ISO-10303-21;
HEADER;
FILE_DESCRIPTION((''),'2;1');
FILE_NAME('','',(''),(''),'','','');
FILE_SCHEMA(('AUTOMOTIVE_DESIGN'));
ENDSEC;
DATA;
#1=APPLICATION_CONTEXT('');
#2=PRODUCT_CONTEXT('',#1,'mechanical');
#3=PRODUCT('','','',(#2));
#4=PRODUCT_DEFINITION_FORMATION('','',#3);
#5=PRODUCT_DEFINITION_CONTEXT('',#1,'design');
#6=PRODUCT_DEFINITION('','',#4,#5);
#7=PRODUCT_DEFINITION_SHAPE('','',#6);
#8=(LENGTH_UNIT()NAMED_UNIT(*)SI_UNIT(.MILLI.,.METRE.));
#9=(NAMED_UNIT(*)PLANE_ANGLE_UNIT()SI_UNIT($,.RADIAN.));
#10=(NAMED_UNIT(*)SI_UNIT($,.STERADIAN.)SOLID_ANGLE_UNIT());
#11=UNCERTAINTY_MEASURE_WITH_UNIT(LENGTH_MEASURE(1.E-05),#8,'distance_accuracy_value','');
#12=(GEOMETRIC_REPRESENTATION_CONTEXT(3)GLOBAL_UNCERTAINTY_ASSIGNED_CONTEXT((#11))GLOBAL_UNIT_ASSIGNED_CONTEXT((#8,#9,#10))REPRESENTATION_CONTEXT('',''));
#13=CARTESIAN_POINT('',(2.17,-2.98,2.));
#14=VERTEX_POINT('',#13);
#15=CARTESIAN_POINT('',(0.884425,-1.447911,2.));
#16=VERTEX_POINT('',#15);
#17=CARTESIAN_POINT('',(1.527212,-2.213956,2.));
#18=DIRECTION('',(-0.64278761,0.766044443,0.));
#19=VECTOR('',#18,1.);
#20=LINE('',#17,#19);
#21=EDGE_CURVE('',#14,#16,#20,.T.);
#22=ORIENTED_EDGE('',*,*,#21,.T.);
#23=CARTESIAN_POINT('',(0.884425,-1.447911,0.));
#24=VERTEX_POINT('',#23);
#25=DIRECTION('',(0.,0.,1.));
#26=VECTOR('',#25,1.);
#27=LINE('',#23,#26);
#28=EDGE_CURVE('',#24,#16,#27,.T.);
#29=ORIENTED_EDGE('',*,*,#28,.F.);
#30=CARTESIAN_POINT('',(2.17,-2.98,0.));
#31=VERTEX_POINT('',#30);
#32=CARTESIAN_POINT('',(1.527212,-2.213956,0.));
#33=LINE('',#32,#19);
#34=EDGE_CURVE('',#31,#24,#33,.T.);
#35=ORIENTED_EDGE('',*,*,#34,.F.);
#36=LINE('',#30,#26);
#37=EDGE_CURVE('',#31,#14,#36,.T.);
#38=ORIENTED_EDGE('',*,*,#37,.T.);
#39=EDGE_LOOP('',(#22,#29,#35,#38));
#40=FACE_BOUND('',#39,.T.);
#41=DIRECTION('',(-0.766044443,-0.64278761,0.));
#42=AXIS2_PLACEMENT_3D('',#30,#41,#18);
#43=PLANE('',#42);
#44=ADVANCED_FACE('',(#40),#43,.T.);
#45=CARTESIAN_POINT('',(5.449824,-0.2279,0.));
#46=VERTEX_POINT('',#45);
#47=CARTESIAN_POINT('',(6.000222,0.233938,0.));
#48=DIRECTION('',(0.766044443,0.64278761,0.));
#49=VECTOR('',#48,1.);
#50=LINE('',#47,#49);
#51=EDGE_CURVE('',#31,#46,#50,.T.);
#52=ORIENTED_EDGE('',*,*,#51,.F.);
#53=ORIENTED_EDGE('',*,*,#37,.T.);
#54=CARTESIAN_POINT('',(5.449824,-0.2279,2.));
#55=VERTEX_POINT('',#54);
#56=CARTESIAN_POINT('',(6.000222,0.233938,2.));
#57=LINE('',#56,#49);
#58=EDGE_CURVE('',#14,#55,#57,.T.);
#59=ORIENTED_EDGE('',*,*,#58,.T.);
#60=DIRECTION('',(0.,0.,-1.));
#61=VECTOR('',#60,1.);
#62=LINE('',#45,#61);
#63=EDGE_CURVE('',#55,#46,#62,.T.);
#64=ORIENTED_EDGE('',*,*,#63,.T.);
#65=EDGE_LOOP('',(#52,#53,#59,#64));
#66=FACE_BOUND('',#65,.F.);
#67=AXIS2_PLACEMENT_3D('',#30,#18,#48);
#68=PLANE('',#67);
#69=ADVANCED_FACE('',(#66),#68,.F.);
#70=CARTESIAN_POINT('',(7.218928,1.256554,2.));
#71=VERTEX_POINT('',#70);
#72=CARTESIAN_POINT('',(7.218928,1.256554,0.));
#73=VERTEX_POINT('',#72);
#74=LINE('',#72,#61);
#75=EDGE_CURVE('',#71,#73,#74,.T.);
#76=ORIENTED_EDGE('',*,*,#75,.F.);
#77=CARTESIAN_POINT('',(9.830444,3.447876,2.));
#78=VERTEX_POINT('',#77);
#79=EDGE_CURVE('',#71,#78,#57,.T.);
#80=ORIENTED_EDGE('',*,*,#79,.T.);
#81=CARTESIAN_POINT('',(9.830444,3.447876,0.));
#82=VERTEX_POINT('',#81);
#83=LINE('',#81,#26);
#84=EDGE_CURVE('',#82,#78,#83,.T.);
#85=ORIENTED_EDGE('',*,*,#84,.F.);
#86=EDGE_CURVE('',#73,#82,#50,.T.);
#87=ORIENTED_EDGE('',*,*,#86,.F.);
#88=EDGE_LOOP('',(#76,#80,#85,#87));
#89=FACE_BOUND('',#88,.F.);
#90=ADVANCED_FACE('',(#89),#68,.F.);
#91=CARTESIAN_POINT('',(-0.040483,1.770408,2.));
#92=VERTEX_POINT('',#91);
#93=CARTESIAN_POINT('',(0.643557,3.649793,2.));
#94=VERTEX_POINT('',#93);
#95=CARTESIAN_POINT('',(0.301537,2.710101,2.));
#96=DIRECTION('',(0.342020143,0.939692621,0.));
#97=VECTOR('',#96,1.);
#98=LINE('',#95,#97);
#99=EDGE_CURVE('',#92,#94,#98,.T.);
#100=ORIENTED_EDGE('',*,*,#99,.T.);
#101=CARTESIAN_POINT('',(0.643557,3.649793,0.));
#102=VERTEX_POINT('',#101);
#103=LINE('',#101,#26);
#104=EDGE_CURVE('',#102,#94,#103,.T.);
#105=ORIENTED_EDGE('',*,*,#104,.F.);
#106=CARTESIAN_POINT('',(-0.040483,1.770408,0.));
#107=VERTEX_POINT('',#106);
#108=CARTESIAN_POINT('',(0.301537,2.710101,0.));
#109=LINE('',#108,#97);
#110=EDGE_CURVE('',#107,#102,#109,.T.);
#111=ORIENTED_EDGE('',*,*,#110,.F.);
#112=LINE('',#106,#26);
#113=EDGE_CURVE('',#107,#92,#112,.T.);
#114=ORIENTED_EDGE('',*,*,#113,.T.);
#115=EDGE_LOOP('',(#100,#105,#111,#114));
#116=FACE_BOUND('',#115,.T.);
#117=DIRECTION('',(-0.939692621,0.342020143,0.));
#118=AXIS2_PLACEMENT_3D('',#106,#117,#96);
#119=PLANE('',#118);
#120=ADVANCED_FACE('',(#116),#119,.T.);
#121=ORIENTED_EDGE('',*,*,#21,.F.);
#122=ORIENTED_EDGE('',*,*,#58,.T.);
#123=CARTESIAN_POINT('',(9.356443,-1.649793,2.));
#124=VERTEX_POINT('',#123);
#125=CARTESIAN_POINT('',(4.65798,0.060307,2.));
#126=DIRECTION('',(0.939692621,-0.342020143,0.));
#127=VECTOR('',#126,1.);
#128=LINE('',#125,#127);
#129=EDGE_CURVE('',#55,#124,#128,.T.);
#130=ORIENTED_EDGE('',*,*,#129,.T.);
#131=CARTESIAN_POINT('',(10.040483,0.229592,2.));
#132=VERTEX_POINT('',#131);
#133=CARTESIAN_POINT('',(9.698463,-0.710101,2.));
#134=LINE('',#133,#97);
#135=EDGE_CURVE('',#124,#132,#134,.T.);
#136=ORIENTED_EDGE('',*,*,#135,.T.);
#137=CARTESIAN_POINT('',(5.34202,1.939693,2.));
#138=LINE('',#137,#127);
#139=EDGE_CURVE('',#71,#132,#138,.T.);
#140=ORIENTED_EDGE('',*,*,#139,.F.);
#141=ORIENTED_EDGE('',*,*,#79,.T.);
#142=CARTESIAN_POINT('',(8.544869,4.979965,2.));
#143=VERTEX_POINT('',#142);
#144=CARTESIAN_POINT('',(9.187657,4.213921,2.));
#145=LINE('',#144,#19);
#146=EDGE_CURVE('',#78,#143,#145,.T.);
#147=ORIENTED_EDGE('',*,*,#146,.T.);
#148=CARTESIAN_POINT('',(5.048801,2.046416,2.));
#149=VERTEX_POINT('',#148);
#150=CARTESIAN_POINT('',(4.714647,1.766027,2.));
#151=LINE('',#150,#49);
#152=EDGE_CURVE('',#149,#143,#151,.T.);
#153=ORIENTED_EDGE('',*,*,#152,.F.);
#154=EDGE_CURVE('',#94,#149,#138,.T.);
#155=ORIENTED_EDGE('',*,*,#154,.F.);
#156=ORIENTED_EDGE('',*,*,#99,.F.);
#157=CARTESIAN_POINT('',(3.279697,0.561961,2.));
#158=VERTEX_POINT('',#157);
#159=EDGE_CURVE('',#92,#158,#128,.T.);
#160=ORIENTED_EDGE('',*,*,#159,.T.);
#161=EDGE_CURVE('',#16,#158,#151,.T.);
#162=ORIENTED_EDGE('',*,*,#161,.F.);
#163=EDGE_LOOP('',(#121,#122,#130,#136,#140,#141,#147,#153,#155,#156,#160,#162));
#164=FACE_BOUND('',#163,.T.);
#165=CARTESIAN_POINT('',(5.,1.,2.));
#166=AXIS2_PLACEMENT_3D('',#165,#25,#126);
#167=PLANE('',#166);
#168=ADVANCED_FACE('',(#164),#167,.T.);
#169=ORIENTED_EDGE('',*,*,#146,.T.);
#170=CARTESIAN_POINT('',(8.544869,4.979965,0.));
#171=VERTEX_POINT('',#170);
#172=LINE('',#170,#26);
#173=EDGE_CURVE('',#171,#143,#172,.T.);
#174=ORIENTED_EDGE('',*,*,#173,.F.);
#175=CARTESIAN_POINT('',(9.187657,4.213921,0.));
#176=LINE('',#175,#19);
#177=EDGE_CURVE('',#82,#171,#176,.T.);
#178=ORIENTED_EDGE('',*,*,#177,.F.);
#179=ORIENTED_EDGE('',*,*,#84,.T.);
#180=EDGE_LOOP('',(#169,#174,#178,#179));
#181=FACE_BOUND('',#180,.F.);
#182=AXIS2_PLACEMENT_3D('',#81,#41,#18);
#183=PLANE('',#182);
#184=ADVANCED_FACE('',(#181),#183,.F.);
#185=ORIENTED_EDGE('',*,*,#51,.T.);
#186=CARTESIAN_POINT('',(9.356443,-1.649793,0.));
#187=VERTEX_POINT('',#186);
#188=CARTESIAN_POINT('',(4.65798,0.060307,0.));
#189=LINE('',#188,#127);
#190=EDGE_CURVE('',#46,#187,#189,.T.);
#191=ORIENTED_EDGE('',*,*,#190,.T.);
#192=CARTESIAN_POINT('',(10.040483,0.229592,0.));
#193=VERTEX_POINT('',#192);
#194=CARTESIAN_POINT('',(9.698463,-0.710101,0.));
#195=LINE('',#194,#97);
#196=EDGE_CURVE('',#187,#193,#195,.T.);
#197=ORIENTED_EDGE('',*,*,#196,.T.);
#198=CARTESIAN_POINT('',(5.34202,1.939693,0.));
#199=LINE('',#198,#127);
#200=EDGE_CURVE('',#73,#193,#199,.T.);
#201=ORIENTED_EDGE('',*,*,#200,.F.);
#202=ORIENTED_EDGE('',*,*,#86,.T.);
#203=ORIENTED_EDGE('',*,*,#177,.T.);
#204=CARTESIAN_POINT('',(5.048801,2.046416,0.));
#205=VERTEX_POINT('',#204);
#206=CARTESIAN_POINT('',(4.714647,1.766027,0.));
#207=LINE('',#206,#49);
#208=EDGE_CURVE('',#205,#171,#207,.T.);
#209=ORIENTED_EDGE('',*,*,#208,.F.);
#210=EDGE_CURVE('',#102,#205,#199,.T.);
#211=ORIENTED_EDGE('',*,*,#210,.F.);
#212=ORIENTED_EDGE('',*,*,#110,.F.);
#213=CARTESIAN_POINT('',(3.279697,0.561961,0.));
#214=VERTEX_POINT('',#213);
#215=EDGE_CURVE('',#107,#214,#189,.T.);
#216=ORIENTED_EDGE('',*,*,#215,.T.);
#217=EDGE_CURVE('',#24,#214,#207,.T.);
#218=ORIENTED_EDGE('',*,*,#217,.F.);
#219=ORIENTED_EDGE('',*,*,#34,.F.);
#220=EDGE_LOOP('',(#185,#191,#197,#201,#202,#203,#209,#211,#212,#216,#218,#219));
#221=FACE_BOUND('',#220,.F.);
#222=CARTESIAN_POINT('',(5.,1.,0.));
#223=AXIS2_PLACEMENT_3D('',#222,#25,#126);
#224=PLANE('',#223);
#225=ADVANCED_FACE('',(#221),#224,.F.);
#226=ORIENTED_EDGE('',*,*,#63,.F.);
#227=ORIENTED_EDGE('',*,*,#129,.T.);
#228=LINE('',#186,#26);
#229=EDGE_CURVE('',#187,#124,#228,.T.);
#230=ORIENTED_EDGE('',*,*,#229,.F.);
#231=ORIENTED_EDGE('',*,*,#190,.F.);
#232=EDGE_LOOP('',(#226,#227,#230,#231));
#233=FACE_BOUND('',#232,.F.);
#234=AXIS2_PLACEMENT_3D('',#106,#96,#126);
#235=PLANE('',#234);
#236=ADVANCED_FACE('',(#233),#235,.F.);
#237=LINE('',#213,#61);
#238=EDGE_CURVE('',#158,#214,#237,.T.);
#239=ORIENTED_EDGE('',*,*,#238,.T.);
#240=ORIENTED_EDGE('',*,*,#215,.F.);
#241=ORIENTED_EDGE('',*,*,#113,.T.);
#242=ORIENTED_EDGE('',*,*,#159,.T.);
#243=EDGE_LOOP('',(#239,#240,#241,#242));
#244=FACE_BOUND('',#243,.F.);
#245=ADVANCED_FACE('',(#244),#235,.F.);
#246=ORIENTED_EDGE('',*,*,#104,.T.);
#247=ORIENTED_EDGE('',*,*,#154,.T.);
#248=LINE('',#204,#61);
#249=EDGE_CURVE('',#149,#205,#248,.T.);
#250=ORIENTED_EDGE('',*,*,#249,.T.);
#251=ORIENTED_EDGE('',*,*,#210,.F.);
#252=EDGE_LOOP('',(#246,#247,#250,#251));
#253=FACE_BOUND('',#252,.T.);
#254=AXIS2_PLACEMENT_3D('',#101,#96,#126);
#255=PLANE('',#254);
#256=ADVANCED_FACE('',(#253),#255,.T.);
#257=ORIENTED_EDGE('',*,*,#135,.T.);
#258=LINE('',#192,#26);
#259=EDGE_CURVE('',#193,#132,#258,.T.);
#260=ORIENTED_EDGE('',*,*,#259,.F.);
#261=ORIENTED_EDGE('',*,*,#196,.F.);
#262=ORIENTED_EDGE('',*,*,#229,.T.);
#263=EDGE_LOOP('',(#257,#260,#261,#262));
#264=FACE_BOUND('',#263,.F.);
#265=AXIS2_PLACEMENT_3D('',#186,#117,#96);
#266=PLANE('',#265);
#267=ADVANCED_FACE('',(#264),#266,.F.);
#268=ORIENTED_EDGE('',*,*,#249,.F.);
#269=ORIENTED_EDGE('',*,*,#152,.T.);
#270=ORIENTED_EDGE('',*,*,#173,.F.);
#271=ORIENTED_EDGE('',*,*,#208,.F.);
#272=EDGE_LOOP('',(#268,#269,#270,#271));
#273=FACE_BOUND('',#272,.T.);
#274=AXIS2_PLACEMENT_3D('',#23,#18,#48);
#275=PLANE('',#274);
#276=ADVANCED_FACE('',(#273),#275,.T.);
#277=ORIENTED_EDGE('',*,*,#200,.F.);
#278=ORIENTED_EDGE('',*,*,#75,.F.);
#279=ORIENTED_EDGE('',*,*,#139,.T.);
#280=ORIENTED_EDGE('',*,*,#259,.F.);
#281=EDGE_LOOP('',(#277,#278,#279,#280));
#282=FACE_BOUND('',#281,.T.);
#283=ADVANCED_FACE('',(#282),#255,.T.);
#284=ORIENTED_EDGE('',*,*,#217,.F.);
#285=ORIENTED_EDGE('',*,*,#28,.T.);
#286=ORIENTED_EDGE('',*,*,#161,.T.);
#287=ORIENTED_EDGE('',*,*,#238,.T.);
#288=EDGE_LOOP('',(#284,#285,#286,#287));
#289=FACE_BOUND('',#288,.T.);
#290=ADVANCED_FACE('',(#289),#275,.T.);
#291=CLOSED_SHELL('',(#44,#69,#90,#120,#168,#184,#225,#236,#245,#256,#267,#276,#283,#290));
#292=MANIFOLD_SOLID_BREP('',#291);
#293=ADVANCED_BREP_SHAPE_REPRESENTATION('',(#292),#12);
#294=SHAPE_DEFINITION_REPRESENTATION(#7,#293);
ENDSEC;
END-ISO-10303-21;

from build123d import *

# Parameters (mm, degrees)
BOX001_W               = 10
BOX001_H               = 2
BOX001_DEPTH           = 2
BOX001_PLACEMENT_ANGLE = 340
BOX_W                  = 10
BOX_H                  = 2
BOX_DEPTH              = 2
BOX_PLACEMENT_ANGLE    = 40


with BuildPart() as cube001:
    # Box001 → Box001 (new body)
    with BuildSketch(Plane.XY):
        with Locations((5, 1)):
            Rectangle(BOX001_W, BOX001_H)
    extrude(amount=BOX001_DEPTH)


with BuildPart() as cube001_1:
    # Box001 placement: moved
    add(cube001.part.moved(Location((-0.040483, 1.770408, 0))).rotate(Axis((-0.040483, 1.770408, 0), (0, 0, 1)), BOX001_PLACEMENT_ANGLE))


with BuildPart() as fusion:
    # Box → Box (new body)
    with BuildSketch(Plane.XY):
        with Locations((5, 1)):
            Rectangle(BOX_W, BOX_H)
    extrude(amount=BOX_DEPTH)


with BuildPart() as fusion_1:
    # Box placement: moved
    add(fusion.part.moved(Location((2.17, -2.98, 0))).rotate(Axis((2.17, -2.98, 0), (0, 0, 1)), BOX_PLACEMENT_ANGLE))

    # Fusion: union Cube001
    add(cube001_1.part)


solid = fusion_1.part
